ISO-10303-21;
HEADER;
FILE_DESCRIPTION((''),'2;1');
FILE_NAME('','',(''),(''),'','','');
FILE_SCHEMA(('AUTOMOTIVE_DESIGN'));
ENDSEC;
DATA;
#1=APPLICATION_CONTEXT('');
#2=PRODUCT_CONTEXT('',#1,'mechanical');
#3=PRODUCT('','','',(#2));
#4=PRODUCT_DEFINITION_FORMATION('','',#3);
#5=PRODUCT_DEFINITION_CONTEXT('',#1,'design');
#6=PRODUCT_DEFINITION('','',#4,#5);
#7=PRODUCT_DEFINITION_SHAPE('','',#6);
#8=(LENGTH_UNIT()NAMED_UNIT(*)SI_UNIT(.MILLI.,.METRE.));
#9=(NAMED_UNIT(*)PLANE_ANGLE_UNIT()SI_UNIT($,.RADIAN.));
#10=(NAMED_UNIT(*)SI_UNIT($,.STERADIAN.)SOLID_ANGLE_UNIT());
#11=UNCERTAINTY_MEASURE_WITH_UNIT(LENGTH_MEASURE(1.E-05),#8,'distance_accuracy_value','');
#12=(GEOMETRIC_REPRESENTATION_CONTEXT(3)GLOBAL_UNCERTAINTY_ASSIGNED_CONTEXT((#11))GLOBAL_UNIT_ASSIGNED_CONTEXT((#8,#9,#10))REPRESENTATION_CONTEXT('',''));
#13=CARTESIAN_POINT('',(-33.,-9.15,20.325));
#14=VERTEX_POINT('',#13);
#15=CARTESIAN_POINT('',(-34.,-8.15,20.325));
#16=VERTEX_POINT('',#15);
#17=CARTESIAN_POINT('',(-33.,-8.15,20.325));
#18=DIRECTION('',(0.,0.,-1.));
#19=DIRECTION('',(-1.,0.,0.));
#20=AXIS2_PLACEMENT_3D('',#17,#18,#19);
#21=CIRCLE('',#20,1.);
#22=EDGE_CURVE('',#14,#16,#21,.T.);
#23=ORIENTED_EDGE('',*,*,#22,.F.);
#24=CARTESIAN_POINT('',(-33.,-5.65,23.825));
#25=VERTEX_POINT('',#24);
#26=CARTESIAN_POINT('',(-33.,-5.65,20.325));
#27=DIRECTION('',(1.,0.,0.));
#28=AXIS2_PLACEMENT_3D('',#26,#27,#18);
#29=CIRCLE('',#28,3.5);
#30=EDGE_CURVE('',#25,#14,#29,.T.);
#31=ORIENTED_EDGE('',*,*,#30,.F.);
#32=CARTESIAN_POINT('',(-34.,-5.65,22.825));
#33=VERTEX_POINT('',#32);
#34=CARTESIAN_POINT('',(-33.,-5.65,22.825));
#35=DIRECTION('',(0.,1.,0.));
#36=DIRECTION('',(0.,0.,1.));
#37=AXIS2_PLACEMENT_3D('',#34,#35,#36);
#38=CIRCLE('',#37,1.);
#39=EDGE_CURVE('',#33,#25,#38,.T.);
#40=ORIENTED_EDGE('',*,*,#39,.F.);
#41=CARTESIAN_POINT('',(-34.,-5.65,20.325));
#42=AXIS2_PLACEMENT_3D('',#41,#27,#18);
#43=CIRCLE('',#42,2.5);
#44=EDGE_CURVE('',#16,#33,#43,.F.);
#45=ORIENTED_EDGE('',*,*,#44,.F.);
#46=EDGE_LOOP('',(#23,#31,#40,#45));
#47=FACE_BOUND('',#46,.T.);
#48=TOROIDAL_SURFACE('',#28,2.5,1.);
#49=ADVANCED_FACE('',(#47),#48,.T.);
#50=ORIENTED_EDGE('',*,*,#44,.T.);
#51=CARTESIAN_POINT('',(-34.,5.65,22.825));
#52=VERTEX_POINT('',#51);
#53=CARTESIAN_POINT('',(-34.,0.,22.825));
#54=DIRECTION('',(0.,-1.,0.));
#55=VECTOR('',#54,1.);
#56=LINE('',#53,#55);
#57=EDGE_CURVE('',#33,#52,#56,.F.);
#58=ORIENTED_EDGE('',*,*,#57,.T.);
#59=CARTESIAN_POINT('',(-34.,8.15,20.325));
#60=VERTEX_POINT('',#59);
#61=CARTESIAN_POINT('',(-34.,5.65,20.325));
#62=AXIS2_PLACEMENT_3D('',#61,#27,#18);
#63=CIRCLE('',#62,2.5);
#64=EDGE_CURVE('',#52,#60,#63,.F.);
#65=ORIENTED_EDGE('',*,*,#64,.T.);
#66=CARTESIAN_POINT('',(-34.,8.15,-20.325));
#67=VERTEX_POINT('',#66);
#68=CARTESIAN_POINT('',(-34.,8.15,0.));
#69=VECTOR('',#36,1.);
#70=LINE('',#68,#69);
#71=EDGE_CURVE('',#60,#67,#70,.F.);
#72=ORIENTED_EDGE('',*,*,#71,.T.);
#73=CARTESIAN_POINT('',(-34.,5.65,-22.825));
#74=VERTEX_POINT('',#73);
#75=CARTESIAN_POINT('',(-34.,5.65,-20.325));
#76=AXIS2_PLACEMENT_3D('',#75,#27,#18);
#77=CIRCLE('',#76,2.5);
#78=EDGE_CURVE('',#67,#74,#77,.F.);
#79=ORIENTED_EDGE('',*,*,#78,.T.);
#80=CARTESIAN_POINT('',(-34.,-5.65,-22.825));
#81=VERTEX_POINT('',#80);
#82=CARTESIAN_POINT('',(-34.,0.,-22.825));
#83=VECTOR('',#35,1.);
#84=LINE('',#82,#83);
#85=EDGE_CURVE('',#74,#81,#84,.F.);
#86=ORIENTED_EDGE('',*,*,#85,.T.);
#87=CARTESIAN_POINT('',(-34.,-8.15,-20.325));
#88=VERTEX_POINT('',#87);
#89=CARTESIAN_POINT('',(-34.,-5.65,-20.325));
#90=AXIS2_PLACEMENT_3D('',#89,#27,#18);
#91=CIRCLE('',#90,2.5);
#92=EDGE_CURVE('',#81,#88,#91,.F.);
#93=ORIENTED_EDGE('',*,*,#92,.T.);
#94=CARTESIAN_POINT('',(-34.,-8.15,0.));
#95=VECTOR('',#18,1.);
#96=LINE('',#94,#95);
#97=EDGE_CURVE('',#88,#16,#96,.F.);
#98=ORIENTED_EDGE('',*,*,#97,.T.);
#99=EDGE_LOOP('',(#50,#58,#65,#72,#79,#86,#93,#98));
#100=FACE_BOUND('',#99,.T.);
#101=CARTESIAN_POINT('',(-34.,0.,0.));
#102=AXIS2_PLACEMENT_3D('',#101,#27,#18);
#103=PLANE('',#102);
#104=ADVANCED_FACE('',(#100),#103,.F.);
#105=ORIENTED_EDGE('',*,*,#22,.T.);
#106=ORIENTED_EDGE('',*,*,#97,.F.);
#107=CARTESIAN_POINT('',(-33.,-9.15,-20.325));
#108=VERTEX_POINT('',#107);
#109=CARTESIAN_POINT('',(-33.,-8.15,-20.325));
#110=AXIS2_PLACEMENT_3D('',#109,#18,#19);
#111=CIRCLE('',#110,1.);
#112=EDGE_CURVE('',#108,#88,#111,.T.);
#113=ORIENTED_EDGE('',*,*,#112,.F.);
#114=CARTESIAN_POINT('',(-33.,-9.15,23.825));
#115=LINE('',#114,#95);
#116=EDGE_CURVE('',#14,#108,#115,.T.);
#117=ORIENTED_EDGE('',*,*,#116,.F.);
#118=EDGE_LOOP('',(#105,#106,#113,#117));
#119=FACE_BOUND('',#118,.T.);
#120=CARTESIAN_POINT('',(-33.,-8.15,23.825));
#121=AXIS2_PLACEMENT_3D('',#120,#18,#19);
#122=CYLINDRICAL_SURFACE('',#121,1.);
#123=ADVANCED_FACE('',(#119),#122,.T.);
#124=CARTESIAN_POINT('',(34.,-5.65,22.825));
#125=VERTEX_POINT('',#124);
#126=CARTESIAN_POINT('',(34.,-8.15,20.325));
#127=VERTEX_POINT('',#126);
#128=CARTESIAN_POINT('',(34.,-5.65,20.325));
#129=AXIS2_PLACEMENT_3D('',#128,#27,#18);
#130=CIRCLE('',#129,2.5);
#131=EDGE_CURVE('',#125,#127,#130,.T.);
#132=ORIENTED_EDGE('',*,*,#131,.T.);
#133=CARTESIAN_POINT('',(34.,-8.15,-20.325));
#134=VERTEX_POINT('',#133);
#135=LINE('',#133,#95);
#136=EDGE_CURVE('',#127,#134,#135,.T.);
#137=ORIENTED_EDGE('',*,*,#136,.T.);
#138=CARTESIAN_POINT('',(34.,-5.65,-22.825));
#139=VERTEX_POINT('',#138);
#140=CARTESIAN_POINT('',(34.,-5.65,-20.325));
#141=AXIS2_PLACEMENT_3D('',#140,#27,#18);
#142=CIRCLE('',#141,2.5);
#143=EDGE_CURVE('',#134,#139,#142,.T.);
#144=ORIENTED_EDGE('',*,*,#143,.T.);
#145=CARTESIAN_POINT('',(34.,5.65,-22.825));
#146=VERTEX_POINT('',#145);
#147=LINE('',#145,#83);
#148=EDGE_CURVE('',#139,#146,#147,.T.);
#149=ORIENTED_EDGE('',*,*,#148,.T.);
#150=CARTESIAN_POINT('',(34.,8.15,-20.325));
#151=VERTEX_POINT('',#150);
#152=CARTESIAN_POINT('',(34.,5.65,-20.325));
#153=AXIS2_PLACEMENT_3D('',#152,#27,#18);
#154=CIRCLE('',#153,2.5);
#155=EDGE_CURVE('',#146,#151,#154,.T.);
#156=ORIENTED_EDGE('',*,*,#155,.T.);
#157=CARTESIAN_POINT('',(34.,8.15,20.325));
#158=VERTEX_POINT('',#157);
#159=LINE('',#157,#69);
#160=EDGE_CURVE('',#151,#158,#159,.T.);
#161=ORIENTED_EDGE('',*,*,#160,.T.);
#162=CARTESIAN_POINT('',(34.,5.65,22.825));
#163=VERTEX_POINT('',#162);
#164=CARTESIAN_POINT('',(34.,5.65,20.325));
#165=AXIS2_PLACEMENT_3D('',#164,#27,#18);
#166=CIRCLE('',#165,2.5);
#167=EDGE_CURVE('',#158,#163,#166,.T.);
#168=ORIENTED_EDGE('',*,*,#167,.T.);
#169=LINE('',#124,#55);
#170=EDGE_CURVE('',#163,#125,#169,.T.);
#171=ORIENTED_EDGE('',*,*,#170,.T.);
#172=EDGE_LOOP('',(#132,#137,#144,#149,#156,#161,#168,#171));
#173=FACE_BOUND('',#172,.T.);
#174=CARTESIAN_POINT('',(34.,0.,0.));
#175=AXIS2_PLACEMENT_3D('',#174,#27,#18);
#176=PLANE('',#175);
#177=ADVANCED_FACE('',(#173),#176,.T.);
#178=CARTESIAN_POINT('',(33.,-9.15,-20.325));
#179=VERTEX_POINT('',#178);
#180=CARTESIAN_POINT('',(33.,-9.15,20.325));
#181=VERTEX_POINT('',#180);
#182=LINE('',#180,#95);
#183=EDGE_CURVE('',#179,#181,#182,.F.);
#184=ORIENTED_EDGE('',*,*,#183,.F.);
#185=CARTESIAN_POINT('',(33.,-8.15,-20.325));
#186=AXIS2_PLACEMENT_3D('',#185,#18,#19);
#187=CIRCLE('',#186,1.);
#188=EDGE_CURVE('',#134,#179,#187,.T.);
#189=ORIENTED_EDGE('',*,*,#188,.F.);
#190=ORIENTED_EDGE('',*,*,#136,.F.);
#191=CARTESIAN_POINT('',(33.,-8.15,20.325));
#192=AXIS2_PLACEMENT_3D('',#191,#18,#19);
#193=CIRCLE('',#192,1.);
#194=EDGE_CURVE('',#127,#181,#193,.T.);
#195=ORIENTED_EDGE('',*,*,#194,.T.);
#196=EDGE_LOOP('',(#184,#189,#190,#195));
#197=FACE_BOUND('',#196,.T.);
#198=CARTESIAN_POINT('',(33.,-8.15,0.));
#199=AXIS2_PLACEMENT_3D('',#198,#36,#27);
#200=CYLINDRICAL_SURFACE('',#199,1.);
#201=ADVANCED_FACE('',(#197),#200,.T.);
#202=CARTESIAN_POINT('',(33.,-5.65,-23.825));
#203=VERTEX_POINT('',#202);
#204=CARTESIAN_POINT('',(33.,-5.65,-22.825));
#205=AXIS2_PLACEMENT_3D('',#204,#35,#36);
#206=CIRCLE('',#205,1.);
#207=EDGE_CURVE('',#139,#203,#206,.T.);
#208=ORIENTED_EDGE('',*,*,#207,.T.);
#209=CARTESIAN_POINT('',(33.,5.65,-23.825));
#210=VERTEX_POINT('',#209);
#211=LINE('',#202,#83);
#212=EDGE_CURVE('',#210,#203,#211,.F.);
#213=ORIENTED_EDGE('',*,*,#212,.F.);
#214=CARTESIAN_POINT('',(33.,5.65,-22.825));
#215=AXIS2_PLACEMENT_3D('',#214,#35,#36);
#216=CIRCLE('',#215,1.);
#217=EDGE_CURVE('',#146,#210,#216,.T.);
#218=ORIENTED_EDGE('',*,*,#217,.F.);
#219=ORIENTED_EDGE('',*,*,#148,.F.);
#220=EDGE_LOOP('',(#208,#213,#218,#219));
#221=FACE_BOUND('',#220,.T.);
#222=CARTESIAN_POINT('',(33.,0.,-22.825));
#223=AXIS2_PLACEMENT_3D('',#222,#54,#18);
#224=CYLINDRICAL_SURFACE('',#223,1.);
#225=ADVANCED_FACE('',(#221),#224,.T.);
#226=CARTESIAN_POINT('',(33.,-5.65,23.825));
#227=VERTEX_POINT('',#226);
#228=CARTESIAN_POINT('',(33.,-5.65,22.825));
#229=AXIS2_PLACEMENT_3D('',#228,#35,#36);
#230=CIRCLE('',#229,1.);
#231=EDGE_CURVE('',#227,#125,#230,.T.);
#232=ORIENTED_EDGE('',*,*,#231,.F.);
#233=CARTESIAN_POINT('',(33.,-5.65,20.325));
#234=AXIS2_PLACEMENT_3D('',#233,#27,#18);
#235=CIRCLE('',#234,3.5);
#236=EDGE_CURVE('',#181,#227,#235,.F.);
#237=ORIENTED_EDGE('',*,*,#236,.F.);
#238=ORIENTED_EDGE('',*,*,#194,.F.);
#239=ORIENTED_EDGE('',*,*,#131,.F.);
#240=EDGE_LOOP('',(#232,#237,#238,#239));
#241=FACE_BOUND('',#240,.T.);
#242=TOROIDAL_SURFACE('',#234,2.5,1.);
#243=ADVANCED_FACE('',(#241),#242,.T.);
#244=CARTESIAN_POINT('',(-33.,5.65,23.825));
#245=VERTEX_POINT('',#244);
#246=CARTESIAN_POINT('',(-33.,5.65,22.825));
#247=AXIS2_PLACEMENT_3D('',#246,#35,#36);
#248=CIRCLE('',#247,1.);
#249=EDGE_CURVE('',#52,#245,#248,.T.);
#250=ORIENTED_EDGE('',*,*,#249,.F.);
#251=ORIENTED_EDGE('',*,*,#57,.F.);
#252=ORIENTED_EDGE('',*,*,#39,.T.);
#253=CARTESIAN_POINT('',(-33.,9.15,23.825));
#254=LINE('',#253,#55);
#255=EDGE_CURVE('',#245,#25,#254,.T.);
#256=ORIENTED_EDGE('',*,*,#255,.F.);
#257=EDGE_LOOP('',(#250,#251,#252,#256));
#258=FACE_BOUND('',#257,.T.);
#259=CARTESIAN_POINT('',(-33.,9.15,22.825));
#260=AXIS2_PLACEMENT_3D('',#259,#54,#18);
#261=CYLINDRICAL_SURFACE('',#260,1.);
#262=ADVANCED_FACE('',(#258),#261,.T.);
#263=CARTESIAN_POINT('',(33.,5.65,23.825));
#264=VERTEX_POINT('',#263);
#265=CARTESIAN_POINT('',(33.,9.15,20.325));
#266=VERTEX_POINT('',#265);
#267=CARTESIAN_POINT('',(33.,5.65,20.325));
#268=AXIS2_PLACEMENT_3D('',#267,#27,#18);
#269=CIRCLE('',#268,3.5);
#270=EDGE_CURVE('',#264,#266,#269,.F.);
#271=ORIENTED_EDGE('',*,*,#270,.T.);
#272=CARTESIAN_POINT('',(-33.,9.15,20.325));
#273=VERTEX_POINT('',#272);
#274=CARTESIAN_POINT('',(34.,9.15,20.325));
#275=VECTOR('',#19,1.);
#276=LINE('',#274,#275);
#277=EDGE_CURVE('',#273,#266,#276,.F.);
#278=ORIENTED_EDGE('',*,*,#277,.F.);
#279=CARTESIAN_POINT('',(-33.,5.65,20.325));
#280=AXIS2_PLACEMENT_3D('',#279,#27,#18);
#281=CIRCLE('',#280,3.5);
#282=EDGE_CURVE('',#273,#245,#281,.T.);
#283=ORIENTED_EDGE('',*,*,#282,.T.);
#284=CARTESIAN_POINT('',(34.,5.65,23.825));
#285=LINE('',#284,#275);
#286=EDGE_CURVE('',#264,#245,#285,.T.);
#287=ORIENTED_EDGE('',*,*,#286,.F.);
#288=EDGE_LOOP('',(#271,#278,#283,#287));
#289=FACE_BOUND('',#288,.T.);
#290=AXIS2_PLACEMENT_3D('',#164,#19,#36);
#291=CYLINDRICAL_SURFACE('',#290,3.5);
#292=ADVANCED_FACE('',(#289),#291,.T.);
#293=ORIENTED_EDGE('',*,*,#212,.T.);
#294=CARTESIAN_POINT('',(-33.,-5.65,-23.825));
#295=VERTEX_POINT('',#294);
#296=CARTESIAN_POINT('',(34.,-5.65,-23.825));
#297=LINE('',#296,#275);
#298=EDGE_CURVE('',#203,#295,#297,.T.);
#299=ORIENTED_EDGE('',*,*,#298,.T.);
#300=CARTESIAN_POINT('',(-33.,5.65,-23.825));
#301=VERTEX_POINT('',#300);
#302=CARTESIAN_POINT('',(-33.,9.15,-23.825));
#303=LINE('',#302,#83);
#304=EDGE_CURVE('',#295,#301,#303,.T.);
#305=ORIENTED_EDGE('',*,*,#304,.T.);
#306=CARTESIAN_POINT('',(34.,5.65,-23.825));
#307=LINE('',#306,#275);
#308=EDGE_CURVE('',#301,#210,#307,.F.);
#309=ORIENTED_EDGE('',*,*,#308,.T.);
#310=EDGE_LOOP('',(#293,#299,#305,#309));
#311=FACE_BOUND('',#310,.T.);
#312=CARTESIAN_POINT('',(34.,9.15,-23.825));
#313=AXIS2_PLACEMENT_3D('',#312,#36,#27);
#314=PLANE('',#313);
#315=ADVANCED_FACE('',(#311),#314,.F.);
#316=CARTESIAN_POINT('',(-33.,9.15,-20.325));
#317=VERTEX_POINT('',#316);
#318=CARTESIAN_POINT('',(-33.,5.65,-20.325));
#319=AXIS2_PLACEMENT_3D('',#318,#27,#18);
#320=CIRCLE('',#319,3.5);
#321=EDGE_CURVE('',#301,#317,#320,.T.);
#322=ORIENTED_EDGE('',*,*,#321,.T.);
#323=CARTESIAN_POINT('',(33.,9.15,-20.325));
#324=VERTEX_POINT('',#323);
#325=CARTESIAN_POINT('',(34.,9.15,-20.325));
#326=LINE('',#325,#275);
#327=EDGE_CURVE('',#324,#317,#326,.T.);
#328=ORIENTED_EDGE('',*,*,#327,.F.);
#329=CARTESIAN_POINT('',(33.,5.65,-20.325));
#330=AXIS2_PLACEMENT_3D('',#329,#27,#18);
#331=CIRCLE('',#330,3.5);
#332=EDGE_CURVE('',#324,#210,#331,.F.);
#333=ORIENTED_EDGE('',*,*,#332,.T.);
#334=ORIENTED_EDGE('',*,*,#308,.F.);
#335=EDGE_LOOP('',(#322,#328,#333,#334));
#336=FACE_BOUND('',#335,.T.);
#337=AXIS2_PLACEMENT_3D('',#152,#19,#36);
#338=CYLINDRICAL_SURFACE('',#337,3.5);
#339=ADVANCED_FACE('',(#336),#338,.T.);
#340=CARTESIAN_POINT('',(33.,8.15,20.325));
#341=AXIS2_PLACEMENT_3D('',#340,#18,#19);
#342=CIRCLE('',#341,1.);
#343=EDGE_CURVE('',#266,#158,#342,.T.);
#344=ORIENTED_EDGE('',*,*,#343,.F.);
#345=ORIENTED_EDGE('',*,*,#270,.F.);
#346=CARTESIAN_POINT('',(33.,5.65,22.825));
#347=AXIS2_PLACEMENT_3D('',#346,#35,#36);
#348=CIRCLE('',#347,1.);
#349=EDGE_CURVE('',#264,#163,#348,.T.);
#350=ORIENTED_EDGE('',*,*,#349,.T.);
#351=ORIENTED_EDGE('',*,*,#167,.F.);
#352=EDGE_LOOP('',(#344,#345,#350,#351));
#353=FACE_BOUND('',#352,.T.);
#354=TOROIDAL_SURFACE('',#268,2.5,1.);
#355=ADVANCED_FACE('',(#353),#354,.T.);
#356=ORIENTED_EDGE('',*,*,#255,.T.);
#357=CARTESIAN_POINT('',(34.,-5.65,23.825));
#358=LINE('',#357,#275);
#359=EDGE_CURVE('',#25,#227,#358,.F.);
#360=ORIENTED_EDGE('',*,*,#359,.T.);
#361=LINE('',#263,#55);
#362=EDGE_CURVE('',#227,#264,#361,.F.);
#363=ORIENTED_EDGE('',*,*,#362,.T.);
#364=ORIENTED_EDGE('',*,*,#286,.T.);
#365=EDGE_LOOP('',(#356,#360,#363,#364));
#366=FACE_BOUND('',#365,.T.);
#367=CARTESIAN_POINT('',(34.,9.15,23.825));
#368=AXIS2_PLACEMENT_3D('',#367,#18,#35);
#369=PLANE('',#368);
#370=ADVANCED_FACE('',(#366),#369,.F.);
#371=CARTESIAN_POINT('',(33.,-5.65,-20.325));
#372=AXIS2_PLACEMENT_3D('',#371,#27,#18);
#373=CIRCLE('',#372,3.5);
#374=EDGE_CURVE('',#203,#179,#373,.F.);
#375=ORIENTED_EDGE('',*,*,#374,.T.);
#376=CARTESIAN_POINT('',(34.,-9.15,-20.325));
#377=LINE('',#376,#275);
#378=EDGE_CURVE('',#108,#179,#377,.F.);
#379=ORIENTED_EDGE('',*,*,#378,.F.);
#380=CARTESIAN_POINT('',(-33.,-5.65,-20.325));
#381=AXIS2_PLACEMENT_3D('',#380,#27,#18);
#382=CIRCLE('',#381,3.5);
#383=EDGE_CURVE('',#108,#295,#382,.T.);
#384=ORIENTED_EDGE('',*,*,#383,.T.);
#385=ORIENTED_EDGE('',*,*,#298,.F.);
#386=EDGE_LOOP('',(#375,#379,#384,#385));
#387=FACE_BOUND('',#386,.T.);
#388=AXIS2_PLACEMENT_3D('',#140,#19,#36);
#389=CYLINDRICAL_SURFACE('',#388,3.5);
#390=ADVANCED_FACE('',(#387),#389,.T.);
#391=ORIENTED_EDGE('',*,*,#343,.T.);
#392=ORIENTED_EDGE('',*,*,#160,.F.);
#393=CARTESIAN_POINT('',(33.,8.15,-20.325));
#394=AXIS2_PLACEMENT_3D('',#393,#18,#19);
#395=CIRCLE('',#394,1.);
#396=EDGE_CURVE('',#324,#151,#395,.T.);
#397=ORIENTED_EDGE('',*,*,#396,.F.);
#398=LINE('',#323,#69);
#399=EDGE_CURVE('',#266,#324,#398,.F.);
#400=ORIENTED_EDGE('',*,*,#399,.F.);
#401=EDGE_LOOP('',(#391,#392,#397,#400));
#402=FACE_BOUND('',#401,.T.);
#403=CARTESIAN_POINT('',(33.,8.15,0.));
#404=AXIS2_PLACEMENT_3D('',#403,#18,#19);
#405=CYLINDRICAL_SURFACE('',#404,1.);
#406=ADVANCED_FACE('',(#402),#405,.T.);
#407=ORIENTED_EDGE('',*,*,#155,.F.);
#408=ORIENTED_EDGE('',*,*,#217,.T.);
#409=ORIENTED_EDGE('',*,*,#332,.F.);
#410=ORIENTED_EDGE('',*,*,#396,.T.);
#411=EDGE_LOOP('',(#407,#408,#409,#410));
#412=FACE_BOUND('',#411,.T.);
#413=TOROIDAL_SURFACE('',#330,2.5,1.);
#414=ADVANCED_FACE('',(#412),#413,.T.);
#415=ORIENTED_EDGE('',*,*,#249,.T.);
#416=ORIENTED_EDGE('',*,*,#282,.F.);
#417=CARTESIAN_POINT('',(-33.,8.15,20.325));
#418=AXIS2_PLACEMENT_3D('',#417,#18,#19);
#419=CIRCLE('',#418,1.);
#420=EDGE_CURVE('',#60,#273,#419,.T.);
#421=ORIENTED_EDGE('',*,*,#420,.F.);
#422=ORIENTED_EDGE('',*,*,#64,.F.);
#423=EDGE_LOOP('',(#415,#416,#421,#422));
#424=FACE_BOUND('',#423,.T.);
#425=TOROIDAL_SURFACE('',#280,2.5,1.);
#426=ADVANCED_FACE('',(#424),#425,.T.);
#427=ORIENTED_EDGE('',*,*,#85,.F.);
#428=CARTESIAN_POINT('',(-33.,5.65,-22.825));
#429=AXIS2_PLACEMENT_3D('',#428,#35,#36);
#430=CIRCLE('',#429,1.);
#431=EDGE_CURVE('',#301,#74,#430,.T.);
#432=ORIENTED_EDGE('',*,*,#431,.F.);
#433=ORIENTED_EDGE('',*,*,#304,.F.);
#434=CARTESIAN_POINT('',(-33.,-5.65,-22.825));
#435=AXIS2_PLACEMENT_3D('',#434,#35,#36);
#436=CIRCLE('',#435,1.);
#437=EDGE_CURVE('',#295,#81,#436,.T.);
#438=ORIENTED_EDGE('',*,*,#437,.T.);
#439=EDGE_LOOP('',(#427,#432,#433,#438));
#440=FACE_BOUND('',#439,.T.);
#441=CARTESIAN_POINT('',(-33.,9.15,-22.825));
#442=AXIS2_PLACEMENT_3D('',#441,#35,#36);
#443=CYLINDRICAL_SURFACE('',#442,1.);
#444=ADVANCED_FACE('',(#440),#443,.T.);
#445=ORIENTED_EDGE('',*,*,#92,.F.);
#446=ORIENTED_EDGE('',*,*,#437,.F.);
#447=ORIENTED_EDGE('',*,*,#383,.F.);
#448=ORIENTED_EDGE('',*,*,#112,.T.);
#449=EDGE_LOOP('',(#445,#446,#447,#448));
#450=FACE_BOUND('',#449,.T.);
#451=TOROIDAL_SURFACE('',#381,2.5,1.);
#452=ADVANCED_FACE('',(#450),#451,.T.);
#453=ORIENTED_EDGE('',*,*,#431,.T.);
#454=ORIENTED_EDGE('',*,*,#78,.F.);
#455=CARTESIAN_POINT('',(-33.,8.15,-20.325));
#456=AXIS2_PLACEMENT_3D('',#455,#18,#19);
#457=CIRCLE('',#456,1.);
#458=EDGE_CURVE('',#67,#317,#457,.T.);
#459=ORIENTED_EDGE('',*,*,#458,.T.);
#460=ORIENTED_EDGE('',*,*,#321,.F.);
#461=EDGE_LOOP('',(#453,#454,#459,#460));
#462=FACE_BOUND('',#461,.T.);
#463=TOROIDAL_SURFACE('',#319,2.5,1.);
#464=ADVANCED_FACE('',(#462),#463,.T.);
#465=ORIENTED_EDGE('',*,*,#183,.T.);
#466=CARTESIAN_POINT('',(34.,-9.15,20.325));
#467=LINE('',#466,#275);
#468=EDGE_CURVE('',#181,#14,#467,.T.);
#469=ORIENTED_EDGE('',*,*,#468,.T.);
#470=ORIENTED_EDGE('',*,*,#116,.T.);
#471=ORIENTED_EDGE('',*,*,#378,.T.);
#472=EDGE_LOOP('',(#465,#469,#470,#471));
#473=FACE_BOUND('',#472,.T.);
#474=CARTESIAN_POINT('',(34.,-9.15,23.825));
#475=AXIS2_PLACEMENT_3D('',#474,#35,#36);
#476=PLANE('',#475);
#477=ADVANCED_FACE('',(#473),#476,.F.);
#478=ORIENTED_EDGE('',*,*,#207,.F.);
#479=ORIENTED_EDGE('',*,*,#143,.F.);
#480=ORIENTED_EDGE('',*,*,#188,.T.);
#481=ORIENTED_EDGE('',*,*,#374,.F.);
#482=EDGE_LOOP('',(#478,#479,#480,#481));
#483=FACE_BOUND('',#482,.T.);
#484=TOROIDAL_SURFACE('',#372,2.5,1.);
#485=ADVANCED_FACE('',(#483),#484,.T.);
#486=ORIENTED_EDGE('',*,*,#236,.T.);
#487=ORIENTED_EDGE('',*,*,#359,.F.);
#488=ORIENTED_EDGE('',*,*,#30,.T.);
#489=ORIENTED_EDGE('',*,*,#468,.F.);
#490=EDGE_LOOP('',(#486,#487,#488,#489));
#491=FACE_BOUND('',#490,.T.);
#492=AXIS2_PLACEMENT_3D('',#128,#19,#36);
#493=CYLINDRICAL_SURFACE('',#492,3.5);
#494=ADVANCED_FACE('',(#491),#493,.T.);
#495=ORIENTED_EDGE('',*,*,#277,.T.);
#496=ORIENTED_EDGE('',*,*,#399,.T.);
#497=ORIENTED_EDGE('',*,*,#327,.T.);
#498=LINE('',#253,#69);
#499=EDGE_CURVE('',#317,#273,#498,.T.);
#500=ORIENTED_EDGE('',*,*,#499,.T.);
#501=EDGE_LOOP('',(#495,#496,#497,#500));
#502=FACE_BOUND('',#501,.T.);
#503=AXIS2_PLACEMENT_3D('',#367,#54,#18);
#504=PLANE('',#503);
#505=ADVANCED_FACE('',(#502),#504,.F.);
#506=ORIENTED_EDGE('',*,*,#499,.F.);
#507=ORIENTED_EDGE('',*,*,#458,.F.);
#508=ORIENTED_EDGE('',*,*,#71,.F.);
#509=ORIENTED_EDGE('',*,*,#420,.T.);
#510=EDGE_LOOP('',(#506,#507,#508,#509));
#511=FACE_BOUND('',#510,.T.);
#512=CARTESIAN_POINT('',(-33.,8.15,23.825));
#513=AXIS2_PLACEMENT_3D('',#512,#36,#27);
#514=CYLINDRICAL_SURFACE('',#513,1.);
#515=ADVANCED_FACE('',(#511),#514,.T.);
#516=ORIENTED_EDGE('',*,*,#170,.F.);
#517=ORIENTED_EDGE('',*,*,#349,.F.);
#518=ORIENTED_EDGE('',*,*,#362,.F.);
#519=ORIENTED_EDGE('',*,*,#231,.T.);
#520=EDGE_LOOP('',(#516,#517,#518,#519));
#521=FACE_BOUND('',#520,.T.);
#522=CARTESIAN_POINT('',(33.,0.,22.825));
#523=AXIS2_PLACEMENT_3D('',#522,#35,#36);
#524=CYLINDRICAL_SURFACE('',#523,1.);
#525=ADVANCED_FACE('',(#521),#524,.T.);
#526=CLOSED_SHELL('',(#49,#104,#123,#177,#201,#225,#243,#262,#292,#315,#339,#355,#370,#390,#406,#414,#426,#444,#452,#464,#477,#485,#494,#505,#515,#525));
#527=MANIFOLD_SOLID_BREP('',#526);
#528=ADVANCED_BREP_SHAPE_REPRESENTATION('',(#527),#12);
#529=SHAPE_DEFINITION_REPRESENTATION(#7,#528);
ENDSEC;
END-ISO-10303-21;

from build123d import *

# Parameters (mm, degrees)
SKETCH1_W           = 47.65
SKETCH1_H           = 18.3
BOSS_EXTRUDE1_DEPTH = 34
FILLET1_R           = 3.5
FILLET2_R           = 1


with BuildPart() as part:
    # Sketch1 → Boss-Extrude1 (new, symmetric)
    with BuildSketch(Plane(origin=(0, 0, 0), x_dir=(0, 0, -1), z_dir=(1, 0, 0))):
        Rectangle(SKETCH1_W, SKETCH1_H)
    extrude(amount=BOSS_EXTRUDE1_DEPTH, both=True)

    # Fillet1
    fillet1_edges = [part.edges().sort_by_distance(p)[0] for p in [
        (0, -9.15, -23.825),
        (0, -9.15, 23.825),
        (0, 9.15, 23.825),
        (0, 9.15, -23.825),
    ]]
    fillet(fillet1_edges, radius=FILLET1_R)

    # Fillet2
    fillet2_edges = [part.edges().sort_by_distance(p)[0] for p in [
        (-34, -9.15, 0),
        (34, -9.15, 0),
        (-34, 0, -23.825),
        (-34, 0, 23.825),
        (-34, 9.15, 0),
        (-34, 8.124873734, -22.799873734),
        (-34, 8.124873734, 22.799873734),
        (-34, -8.124873734, -22.799873734),
        (-34, -8.124873734, 22.799873734),
        (34, 0, 23.825),
        (34, 0, -23.825),
        (34, 9.15, 0),
        (34, 8.124873734, -22.799873734),
        (34, 8.124873734, 22.799873734),
        (34, -8.124873734, -22.799873734),
        (34, -8.124873734, 22.799873734),
    ]]
    fillet(fillet2_edges, radius=FILLET2_R)


solid = part.part
